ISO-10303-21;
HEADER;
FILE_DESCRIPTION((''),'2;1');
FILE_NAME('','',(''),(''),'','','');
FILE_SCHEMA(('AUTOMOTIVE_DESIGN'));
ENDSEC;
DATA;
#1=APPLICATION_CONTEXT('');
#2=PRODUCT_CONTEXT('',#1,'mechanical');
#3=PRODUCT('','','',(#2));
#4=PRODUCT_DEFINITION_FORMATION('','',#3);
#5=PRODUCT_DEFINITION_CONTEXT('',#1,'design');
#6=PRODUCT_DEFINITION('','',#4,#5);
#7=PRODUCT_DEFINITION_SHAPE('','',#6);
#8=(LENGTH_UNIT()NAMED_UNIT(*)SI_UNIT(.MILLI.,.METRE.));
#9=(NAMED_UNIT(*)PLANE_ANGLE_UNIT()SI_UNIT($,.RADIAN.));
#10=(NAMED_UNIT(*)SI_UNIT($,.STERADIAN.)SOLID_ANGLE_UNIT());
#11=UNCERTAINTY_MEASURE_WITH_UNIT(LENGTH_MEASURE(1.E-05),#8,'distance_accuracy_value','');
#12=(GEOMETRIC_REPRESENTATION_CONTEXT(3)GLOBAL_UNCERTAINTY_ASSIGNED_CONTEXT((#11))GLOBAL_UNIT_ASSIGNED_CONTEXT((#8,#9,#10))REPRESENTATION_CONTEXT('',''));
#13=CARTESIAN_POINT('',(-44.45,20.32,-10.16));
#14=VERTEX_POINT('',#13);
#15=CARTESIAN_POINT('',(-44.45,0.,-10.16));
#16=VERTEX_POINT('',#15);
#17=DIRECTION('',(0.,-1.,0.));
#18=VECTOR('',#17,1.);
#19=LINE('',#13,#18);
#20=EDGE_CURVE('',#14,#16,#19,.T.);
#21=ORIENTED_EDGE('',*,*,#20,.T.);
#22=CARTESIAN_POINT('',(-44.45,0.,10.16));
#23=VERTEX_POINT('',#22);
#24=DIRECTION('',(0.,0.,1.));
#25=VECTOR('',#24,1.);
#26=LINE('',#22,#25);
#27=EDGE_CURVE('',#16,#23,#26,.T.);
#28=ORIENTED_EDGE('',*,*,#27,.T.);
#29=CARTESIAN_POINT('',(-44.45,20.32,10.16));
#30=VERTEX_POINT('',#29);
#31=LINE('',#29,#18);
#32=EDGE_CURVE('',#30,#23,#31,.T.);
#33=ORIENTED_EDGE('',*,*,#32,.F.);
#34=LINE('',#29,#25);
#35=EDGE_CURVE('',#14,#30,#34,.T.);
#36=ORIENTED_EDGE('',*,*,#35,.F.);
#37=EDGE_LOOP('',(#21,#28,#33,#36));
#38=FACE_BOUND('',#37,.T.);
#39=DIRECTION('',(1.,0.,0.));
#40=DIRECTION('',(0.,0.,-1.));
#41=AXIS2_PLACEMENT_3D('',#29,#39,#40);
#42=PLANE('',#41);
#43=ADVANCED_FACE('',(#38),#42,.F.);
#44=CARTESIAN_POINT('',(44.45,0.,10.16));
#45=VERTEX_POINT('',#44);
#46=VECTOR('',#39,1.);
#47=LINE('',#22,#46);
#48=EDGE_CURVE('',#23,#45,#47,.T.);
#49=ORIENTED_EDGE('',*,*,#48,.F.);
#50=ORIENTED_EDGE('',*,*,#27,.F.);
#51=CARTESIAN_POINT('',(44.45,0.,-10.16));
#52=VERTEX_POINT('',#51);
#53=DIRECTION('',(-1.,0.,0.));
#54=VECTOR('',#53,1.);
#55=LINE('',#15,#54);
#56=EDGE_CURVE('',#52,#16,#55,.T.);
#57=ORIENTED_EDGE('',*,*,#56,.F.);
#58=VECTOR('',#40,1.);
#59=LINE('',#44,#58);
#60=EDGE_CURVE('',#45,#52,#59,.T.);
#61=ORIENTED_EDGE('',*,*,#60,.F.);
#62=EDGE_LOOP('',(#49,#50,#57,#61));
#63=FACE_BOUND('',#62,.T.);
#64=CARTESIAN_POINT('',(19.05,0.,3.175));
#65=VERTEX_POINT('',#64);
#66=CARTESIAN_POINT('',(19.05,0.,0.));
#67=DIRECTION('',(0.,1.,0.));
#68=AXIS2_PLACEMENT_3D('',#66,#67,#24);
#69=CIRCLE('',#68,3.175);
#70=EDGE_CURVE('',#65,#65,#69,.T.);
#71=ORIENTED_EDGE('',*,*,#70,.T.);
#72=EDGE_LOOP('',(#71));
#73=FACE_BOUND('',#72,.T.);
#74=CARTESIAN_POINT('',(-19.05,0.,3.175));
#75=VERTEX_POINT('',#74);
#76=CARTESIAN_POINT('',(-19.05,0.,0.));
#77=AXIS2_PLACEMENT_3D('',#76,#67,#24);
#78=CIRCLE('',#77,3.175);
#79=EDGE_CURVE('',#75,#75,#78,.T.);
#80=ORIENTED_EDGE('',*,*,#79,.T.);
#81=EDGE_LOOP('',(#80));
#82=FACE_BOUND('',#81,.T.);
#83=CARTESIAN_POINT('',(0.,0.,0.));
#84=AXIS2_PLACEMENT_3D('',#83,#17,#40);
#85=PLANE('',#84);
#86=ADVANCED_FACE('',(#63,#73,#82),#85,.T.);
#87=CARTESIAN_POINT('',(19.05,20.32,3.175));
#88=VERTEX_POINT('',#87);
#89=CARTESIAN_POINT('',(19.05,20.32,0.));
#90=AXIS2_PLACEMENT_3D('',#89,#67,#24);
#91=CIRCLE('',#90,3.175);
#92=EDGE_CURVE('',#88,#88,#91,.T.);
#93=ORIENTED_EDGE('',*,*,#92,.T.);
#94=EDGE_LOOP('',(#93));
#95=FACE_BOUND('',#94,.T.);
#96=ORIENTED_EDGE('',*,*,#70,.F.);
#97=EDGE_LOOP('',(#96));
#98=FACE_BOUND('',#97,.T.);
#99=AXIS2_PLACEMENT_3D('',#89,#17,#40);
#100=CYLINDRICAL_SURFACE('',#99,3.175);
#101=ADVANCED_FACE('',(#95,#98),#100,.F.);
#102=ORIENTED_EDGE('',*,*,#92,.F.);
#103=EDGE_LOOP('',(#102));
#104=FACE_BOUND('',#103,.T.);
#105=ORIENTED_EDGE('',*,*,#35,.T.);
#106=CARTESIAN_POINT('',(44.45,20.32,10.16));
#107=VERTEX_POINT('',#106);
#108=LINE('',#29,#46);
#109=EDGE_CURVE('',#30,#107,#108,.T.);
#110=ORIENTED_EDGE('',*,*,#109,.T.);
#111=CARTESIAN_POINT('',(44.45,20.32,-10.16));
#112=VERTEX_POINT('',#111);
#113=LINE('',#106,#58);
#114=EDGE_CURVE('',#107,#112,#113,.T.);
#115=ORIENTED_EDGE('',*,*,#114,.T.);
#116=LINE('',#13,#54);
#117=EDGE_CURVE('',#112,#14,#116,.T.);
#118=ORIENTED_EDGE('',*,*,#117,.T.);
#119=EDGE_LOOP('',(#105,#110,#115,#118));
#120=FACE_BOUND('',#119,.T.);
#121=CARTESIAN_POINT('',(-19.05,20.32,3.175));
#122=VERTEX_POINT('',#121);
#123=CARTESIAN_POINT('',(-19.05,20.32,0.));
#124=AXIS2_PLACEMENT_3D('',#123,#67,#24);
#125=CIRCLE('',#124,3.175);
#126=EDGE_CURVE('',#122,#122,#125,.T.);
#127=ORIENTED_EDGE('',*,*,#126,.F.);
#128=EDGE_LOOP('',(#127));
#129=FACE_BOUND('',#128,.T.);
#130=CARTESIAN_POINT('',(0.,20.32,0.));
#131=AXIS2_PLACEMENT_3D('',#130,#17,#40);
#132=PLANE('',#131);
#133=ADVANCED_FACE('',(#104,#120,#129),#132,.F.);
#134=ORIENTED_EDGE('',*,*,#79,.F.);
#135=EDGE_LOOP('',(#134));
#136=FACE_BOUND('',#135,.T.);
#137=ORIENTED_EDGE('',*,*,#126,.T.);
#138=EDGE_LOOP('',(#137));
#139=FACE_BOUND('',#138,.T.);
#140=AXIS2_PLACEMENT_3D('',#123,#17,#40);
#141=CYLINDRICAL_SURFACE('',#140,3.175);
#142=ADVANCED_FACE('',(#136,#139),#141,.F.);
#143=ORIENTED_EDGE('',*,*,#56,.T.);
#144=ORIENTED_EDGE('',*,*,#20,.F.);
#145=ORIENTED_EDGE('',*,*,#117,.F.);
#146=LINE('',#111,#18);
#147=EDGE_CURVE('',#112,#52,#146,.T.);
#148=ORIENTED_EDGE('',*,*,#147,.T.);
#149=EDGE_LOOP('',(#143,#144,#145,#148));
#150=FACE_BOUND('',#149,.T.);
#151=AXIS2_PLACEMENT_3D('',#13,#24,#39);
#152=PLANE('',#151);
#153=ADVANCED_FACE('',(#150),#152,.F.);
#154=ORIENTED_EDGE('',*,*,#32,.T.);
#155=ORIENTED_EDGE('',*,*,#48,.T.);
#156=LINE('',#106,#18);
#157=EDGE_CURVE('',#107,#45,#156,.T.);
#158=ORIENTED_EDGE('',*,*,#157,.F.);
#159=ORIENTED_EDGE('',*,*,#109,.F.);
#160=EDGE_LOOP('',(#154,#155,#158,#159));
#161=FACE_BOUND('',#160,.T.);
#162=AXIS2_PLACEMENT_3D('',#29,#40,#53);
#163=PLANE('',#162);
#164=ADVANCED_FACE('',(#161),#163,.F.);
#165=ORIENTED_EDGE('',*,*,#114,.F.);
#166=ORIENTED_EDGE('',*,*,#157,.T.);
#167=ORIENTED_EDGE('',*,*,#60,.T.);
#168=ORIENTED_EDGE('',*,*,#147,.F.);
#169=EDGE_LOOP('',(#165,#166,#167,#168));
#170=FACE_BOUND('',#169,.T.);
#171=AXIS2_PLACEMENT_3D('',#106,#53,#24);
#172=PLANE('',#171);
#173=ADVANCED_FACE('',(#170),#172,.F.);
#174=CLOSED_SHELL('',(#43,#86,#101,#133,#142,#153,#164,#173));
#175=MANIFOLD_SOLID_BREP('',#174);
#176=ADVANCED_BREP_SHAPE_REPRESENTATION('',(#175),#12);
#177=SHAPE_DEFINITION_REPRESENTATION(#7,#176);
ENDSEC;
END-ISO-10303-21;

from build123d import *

# Parameters (mm, degrees)
SKETCH1_W           = 88.9
SKETCH1_H           = 20.32
SKETCH1_R           = 3.175
BOSS_EXTRUDE1_DEPTH = 20.32


with BuildPart() as part:
    # Sketch1 → Boss-Extrude1 (new body)
    with BuildSketch(Plane(origin=(0, 0, 0), x_dir=(1, 0, 0), z_dir=(0, 1, 0))):
        Rectangle(SKETCH1_W, SKETCH1_H)
        with Locations(Location((19.05, 0, 0), (0, 0, 270))):
            Circle(SKETCH1_R, mode=Mode.SUBTRACT)
        with Locations(Location((-19.05, 0, 0), (0, 0, 270))):
            Circle(SKETCH1_R, mode=Mode.SUBTRACT)
    extrude(amount=BOSS_EXTRUDE1_DEPTH)


solid = part.part
